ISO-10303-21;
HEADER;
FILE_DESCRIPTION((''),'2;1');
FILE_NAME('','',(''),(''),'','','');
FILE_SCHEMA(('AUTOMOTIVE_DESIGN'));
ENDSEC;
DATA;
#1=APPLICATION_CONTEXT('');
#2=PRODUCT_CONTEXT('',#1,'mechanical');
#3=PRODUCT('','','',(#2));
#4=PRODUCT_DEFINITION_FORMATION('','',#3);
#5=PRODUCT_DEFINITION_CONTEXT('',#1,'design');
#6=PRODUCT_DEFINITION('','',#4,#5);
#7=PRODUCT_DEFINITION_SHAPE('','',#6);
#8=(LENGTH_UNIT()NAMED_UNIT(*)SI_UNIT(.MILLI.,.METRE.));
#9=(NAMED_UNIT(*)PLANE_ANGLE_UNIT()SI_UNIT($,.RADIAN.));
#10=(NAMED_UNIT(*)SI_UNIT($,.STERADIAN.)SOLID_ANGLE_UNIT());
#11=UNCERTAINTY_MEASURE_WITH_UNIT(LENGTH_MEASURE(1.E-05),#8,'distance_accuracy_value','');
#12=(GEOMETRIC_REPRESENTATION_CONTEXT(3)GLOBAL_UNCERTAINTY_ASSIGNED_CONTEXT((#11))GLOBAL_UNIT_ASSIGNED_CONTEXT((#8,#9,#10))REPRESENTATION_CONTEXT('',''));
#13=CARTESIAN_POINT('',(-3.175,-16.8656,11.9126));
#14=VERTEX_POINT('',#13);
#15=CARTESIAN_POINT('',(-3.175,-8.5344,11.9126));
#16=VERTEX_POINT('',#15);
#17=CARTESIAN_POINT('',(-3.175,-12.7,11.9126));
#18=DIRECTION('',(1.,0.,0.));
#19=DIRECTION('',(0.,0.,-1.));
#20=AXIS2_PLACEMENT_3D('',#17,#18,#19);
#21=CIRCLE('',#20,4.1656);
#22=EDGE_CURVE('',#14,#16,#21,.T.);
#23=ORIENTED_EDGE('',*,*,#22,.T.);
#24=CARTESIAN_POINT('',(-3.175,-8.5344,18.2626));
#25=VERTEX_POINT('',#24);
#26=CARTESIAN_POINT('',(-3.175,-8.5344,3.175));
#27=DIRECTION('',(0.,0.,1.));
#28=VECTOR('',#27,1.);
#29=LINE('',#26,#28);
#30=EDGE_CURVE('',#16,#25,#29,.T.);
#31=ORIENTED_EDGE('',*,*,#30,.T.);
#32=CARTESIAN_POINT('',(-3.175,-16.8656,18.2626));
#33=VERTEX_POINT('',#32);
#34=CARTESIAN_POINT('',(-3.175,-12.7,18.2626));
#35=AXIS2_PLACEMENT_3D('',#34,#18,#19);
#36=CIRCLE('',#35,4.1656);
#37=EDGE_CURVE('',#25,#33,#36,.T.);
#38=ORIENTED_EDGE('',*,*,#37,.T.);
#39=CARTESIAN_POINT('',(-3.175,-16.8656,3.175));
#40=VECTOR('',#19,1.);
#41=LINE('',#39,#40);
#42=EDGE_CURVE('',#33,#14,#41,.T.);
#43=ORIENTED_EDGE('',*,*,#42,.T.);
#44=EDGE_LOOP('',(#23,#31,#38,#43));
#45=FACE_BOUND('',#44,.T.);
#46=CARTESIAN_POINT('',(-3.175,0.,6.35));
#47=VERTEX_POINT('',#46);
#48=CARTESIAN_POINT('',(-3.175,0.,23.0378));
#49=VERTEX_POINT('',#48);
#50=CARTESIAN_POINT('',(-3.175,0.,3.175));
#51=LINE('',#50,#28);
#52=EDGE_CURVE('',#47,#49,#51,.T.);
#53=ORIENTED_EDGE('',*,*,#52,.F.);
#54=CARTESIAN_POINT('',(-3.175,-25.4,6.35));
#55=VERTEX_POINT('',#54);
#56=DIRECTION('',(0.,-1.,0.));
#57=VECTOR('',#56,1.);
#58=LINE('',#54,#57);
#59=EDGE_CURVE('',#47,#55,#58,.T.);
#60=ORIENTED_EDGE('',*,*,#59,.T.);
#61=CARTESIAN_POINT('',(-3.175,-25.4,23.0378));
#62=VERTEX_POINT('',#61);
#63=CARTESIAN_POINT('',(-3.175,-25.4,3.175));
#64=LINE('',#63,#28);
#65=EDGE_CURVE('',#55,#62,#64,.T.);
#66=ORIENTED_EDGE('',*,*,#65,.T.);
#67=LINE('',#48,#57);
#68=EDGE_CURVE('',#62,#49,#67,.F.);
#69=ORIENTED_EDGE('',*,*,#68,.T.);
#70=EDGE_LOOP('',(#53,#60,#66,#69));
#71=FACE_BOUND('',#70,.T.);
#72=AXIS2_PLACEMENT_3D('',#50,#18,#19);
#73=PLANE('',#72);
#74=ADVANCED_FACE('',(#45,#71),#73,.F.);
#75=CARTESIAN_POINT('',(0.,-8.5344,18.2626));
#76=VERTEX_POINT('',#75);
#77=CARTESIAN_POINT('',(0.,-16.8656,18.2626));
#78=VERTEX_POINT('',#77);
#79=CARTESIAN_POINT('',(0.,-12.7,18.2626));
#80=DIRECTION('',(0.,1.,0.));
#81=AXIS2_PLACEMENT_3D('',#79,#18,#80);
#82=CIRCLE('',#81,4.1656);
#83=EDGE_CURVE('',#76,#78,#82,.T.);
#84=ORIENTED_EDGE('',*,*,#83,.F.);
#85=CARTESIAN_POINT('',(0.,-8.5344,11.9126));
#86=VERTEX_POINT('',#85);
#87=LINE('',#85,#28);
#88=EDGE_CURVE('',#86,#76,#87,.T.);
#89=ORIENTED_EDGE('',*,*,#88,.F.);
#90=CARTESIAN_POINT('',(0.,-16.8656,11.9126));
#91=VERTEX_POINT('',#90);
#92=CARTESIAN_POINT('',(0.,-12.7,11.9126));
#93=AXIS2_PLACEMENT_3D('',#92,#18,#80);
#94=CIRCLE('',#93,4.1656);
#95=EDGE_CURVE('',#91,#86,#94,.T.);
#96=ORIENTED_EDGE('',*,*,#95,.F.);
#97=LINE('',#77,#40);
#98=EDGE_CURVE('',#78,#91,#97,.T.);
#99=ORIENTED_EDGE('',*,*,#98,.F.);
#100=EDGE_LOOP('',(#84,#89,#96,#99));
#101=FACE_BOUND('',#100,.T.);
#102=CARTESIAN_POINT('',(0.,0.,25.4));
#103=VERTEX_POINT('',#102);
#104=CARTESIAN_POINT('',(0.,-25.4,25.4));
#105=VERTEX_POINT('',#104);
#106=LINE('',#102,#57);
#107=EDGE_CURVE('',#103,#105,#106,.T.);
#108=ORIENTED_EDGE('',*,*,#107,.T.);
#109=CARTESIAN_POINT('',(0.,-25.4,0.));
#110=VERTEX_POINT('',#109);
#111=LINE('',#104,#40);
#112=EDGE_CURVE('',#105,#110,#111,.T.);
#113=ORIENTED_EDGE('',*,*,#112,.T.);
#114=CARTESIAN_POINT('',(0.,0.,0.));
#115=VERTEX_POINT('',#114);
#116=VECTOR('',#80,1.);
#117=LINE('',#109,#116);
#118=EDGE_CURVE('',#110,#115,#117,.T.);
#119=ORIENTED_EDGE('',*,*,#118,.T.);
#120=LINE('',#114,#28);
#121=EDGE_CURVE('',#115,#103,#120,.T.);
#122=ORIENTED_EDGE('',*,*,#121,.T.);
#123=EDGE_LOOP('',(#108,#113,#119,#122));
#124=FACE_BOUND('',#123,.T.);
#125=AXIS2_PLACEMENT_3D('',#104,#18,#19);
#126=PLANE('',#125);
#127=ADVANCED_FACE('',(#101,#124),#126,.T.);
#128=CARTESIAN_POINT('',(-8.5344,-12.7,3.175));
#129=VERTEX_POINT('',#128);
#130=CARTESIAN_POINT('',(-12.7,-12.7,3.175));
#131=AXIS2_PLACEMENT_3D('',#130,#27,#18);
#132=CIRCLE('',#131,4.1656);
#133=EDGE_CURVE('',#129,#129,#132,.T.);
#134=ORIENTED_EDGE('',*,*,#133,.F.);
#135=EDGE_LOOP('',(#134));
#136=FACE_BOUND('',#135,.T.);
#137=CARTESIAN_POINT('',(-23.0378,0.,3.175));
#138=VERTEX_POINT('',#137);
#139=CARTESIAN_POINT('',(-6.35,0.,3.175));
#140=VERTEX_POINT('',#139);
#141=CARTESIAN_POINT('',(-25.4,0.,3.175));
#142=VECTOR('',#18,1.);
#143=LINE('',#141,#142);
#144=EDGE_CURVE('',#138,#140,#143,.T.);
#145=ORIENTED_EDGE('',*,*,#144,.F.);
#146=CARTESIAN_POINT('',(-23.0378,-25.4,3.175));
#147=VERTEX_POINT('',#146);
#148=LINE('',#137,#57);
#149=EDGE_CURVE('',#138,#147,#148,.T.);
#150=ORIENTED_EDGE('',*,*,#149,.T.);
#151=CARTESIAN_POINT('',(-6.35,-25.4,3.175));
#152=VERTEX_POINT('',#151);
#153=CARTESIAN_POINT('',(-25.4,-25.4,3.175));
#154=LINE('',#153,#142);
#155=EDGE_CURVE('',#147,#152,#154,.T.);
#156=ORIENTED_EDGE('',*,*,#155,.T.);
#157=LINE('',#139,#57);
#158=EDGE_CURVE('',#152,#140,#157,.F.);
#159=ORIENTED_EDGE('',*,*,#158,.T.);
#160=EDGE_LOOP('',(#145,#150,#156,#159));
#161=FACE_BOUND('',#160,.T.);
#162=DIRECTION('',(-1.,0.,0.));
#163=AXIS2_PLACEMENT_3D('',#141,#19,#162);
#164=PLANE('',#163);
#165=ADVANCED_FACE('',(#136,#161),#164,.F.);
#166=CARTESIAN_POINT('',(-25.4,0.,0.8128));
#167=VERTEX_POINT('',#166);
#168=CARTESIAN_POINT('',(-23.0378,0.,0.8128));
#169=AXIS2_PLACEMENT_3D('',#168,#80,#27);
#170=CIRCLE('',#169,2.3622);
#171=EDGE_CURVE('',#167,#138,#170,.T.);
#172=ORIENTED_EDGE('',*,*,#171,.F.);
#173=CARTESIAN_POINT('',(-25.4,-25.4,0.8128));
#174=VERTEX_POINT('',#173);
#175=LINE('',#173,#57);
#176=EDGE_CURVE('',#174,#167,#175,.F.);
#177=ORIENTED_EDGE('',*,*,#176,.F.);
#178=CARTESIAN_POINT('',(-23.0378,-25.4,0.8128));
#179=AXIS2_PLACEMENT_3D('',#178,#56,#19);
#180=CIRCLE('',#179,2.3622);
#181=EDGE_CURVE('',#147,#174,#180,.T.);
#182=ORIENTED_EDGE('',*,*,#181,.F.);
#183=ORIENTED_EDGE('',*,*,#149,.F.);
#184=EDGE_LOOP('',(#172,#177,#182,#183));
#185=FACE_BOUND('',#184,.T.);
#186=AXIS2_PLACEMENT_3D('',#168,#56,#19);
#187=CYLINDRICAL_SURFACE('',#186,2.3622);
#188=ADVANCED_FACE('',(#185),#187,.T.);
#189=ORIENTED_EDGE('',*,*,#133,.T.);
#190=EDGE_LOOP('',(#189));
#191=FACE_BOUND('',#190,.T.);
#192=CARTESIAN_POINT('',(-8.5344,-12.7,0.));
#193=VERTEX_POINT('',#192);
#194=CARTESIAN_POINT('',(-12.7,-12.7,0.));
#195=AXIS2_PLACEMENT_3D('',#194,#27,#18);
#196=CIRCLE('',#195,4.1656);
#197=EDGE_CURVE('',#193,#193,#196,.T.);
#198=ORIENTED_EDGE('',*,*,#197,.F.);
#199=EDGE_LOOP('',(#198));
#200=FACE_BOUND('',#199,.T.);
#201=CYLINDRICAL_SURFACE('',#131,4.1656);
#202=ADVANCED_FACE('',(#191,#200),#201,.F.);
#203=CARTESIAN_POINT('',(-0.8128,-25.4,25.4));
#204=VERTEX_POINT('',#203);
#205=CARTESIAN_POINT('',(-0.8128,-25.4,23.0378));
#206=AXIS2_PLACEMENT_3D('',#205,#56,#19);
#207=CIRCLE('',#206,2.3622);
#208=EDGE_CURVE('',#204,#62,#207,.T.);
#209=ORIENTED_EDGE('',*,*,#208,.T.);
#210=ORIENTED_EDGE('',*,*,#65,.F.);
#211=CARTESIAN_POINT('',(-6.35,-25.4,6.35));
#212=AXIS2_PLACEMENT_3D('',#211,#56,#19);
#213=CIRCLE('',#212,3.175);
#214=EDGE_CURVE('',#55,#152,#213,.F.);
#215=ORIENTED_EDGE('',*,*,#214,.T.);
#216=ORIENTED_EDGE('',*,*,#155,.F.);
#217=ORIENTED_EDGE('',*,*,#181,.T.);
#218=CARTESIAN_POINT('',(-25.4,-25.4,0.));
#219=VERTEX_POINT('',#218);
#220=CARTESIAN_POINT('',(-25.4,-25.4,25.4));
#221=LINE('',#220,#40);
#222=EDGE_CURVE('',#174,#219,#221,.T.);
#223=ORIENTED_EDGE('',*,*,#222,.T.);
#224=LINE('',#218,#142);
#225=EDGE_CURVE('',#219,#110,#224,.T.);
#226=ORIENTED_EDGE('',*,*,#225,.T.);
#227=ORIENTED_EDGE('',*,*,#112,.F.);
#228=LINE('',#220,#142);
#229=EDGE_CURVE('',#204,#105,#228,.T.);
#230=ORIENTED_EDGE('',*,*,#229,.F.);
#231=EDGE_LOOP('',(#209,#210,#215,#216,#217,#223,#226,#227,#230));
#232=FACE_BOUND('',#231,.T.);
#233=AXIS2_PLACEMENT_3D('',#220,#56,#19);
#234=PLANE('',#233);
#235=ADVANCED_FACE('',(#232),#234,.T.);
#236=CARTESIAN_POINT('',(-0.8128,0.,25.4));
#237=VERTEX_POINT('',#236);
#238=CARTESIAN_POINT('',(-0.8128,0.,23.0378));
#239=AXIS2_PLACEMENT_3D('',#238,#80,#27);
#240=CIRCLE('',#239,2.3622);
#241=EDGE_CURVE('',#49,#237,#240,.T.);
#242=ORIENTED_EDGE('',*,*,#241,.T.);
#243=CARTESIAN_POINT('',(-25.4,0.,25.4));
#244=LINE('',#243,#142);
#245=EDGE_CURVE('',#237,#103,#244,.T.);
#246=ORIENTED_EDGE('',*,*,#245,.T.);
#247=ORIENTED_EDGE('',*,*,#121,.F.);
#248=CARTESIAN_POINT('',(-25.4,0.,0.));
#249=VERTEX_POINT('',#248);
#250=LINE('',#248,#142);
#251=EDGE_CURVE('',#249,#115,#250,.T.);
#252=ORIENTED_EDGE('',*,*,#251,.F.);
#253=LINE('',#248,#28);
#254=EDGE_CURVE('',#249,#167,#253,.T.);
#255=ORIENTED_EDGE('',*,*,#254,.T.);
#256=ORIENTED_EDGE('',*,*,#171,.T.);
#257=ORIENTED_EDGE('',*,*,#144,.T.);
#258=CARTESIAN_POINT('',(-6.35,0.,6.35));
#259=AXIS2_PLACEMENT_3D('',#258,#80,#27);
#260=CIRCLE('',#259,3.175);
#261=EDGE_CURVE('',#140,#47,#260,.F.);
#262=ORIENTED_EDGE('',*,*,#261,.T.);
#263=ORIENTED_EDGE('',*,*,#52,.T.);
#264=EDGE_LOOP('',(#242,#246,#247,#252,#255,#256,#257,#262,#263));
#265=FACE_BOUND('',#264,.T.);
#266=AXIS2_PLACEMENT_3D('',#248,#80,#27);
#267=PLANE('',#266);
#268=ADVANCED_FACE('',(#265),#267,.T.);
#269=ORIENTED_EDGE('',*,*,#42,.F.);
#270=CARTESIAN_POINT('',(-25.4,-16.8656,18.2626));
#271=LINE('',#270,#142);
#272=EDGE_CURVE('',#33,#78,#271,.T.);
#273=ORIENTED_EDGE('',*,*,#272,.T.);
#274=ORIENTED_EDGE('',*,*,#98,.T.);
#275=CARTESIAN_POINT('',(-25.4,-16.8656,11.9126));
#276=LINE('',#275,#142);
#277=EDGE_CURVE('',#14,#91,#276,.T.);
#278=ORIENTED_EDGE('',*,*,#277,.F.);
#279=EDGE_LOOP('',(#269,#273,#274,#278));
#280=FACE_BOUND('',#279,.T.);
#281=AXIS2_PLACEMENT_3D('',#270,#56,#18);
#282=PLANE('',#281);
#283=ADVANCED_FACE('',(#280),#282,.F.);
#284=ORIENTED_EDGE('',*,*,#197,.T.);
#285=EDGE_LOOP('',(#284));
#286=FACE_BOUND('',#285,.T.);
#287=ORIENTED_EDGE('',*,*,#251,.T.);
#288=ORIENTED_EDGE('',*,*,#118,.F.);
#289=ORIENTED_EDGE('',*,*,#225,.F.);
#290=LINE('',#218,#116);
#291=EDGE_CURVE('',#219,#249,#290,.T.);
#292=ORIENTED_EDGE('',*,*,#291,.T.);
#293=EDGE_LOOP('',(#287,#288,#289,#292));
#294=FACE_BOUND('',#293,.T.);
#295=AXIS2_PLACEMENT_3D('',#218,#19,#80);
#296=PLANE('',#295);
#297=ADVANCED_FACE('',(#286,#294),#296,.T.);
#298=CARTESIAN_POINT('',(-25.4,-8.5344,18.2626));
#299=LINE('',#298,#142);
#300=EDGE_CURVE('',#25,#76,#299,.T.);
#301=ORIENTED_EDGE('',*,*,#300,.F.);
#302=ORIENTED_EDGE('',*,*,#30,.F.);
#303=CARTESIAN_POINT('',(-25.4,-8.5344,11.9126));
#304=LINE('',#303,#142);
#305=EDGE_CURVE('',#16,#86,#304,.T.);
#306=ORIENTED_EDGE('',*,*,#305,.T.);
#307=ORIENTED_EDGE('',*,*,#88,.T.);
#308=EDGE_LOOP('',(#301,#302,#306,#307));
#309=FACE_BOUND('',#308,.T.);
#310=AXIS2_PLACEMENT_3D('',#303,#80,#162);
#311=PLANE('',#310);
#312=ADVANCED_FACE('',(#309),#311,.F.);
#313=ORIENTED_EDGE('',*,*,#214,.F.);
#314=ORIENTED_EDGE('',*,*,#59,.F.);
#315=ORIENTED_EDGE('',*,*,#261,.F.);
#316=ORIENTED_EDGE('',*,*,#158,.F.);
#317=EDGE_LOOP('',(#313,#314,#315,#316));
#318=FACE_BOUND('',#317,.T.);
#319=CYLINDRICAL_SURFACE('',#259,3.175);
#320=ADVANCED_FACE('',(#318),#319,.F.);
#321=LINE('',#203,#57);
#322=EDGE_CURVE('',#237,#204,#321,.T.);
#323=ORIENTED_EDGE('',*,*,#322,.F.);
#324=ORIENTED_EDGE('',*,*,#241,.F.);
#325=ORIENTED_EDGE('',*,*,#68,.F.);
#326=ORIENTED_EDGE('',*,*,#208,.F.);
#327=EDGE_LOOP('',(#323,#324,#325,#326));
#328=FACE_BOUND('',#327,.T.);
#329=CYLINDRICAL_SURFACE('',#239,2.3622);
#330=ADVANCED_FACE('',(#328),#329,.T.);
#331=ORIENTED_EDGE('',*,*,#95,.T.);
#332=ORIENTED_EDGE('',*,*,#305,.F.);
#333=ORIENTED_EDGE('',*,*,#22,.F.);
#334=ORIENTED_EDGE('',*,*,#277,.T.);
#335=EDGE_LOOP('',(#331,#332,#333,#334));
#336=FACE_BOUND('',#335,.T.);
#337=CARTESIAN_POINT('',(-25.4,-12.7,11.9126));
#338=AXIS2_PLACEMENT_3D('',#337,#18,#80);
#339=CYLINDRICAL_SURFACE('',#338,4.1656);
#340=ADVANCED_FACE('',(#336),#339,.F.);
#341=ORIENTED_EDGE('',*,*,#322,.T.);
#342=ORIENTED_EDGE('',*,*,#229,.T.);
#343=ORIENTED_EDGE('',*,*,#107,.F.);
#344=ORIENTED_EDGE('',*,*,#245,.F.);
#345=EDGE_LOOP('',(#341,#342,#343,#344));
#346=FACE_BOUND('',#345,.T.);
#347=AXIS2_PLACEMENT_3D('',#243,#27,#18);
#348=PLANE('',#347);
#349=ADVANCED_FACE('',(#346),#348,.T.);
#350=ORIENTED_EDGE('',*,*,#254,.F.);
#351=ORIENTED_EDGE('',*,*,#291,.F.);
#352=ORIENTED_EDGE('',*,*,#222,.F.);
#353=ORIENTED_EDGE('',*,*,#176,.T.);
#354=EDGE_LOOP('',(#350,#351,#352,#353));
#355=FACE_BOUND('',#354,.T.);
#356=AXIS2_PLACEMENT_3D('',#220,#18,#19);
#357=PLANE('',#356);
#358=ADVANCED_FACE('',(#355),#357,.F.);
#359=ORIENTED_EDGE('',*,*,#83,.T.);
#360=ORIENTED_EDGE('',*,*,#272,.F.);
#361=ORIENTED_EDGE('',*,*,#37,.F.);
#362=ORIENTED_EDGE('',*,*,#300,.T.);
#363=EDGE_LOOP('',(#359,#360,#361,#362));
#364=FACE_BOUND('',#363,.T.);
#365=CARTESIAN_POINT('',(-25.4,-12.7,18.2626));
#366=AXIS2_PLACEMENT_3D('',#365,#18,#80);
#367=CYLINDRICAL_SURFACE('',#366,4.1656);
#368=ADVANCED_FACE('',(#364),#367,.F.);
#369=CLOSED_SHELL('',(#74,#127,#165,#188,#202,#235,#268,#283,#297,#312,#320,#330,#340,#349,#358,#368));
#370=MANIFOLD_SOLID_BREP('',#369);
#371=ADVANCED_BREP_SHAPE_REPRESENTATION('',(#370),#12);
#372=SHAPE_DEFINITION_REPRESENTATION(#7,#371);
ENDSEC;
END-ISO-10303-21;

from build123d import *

# Parameters (mm, degrees)
SKETCH1_W           = 25.4
SKETCH1_H           = 25.4
BOSS_EXTRUDE1_DEPTH = 25.4
SKETCH2_W           = 22.225
SKETCH2_H           = 22.225
CUT_EXTRUDE1_DEPTH  = 44.994090512
CUT_EXTRUDE2_DEPTH  = 44.994090512
HOLE1_D             = 8.3312
FILLET1_R           = 2.3622
FILLET2_R           = 3.175


with BuildPart() as part:
    # Sketch1 → Boss-Extrude1 (new body)
    with BuildSketch(Plane(origin=(0, 0, 0), x_dir=(0, 0, -1), z_dir=(1, 0, 0))):
        with Locations((-12.7, -12.7)):
            Rectangle(SKETCH1_W, SKETCH1_H)
    extrude(amount=-BOSS_EXTRUDE1_DEPTH)

    # Sketch2 → Cut-Extrude1 (cut, through all)
    with BuildSketch(Plane.XZ.offset(25.4)):
        with Locations((-14.2875, 14.2875)):
            Rectangle(SKETCH2_W, SKETCH2_H)
    extrude(amount=-CUT_EXTRUDE1_DEPTH, mode=Mode.SUBTRACT)

    # Sketch3 → Cut-Extrude2 (cut, through all)
    with BuildSketch(Plane(origin=(0, 0, 0), x_dir=(0, 0, -1), z_dir=(1, 0, 0))):
        with BuildLine():
            Line((-18.2626, -16.8656), (-11.9126, -16.8656))
            ThreePointArc((-11.9126, -16.8656), (-7.747, -12.7), (-11.9126, -8.5344))
            Line((-11.9126, -8.5344), (-18.2626, -8.5344))
            ThreePointArc((-18.2626, -8.5344), (-22.4282, -12.7), (-18.2626, -16.8656))
        make_face()
    extrude(amount=-CUT_EXTRUDE2_DEPTH, mode=Mode.SUBTRACT)

    # Hole1 (through all)
    with Locations(Plane.XY.offset(3.175)):
        with Locations((-12.7, -12.7)):
            Hole(HOLE1_D / 2)

    # Fillet1
    fillet1_edges = [part.edges().sort_by_distance(p)[0] for p in [
        (-25.4, -12.7, 3.175),
        (-3.175, -12.7, 25.4),
    ]]
    fillet(fillet1_edges, radius=FILLET1_R)

    # Fillet2
    fillet2_edges = [part.edges().sort_by_distance(p)[0] for p in [
        (-3.175, -12.7, 3.175),
    ]]
    fillet(fillet2_edges, radius=FILLET2_R)


solid = part.part
